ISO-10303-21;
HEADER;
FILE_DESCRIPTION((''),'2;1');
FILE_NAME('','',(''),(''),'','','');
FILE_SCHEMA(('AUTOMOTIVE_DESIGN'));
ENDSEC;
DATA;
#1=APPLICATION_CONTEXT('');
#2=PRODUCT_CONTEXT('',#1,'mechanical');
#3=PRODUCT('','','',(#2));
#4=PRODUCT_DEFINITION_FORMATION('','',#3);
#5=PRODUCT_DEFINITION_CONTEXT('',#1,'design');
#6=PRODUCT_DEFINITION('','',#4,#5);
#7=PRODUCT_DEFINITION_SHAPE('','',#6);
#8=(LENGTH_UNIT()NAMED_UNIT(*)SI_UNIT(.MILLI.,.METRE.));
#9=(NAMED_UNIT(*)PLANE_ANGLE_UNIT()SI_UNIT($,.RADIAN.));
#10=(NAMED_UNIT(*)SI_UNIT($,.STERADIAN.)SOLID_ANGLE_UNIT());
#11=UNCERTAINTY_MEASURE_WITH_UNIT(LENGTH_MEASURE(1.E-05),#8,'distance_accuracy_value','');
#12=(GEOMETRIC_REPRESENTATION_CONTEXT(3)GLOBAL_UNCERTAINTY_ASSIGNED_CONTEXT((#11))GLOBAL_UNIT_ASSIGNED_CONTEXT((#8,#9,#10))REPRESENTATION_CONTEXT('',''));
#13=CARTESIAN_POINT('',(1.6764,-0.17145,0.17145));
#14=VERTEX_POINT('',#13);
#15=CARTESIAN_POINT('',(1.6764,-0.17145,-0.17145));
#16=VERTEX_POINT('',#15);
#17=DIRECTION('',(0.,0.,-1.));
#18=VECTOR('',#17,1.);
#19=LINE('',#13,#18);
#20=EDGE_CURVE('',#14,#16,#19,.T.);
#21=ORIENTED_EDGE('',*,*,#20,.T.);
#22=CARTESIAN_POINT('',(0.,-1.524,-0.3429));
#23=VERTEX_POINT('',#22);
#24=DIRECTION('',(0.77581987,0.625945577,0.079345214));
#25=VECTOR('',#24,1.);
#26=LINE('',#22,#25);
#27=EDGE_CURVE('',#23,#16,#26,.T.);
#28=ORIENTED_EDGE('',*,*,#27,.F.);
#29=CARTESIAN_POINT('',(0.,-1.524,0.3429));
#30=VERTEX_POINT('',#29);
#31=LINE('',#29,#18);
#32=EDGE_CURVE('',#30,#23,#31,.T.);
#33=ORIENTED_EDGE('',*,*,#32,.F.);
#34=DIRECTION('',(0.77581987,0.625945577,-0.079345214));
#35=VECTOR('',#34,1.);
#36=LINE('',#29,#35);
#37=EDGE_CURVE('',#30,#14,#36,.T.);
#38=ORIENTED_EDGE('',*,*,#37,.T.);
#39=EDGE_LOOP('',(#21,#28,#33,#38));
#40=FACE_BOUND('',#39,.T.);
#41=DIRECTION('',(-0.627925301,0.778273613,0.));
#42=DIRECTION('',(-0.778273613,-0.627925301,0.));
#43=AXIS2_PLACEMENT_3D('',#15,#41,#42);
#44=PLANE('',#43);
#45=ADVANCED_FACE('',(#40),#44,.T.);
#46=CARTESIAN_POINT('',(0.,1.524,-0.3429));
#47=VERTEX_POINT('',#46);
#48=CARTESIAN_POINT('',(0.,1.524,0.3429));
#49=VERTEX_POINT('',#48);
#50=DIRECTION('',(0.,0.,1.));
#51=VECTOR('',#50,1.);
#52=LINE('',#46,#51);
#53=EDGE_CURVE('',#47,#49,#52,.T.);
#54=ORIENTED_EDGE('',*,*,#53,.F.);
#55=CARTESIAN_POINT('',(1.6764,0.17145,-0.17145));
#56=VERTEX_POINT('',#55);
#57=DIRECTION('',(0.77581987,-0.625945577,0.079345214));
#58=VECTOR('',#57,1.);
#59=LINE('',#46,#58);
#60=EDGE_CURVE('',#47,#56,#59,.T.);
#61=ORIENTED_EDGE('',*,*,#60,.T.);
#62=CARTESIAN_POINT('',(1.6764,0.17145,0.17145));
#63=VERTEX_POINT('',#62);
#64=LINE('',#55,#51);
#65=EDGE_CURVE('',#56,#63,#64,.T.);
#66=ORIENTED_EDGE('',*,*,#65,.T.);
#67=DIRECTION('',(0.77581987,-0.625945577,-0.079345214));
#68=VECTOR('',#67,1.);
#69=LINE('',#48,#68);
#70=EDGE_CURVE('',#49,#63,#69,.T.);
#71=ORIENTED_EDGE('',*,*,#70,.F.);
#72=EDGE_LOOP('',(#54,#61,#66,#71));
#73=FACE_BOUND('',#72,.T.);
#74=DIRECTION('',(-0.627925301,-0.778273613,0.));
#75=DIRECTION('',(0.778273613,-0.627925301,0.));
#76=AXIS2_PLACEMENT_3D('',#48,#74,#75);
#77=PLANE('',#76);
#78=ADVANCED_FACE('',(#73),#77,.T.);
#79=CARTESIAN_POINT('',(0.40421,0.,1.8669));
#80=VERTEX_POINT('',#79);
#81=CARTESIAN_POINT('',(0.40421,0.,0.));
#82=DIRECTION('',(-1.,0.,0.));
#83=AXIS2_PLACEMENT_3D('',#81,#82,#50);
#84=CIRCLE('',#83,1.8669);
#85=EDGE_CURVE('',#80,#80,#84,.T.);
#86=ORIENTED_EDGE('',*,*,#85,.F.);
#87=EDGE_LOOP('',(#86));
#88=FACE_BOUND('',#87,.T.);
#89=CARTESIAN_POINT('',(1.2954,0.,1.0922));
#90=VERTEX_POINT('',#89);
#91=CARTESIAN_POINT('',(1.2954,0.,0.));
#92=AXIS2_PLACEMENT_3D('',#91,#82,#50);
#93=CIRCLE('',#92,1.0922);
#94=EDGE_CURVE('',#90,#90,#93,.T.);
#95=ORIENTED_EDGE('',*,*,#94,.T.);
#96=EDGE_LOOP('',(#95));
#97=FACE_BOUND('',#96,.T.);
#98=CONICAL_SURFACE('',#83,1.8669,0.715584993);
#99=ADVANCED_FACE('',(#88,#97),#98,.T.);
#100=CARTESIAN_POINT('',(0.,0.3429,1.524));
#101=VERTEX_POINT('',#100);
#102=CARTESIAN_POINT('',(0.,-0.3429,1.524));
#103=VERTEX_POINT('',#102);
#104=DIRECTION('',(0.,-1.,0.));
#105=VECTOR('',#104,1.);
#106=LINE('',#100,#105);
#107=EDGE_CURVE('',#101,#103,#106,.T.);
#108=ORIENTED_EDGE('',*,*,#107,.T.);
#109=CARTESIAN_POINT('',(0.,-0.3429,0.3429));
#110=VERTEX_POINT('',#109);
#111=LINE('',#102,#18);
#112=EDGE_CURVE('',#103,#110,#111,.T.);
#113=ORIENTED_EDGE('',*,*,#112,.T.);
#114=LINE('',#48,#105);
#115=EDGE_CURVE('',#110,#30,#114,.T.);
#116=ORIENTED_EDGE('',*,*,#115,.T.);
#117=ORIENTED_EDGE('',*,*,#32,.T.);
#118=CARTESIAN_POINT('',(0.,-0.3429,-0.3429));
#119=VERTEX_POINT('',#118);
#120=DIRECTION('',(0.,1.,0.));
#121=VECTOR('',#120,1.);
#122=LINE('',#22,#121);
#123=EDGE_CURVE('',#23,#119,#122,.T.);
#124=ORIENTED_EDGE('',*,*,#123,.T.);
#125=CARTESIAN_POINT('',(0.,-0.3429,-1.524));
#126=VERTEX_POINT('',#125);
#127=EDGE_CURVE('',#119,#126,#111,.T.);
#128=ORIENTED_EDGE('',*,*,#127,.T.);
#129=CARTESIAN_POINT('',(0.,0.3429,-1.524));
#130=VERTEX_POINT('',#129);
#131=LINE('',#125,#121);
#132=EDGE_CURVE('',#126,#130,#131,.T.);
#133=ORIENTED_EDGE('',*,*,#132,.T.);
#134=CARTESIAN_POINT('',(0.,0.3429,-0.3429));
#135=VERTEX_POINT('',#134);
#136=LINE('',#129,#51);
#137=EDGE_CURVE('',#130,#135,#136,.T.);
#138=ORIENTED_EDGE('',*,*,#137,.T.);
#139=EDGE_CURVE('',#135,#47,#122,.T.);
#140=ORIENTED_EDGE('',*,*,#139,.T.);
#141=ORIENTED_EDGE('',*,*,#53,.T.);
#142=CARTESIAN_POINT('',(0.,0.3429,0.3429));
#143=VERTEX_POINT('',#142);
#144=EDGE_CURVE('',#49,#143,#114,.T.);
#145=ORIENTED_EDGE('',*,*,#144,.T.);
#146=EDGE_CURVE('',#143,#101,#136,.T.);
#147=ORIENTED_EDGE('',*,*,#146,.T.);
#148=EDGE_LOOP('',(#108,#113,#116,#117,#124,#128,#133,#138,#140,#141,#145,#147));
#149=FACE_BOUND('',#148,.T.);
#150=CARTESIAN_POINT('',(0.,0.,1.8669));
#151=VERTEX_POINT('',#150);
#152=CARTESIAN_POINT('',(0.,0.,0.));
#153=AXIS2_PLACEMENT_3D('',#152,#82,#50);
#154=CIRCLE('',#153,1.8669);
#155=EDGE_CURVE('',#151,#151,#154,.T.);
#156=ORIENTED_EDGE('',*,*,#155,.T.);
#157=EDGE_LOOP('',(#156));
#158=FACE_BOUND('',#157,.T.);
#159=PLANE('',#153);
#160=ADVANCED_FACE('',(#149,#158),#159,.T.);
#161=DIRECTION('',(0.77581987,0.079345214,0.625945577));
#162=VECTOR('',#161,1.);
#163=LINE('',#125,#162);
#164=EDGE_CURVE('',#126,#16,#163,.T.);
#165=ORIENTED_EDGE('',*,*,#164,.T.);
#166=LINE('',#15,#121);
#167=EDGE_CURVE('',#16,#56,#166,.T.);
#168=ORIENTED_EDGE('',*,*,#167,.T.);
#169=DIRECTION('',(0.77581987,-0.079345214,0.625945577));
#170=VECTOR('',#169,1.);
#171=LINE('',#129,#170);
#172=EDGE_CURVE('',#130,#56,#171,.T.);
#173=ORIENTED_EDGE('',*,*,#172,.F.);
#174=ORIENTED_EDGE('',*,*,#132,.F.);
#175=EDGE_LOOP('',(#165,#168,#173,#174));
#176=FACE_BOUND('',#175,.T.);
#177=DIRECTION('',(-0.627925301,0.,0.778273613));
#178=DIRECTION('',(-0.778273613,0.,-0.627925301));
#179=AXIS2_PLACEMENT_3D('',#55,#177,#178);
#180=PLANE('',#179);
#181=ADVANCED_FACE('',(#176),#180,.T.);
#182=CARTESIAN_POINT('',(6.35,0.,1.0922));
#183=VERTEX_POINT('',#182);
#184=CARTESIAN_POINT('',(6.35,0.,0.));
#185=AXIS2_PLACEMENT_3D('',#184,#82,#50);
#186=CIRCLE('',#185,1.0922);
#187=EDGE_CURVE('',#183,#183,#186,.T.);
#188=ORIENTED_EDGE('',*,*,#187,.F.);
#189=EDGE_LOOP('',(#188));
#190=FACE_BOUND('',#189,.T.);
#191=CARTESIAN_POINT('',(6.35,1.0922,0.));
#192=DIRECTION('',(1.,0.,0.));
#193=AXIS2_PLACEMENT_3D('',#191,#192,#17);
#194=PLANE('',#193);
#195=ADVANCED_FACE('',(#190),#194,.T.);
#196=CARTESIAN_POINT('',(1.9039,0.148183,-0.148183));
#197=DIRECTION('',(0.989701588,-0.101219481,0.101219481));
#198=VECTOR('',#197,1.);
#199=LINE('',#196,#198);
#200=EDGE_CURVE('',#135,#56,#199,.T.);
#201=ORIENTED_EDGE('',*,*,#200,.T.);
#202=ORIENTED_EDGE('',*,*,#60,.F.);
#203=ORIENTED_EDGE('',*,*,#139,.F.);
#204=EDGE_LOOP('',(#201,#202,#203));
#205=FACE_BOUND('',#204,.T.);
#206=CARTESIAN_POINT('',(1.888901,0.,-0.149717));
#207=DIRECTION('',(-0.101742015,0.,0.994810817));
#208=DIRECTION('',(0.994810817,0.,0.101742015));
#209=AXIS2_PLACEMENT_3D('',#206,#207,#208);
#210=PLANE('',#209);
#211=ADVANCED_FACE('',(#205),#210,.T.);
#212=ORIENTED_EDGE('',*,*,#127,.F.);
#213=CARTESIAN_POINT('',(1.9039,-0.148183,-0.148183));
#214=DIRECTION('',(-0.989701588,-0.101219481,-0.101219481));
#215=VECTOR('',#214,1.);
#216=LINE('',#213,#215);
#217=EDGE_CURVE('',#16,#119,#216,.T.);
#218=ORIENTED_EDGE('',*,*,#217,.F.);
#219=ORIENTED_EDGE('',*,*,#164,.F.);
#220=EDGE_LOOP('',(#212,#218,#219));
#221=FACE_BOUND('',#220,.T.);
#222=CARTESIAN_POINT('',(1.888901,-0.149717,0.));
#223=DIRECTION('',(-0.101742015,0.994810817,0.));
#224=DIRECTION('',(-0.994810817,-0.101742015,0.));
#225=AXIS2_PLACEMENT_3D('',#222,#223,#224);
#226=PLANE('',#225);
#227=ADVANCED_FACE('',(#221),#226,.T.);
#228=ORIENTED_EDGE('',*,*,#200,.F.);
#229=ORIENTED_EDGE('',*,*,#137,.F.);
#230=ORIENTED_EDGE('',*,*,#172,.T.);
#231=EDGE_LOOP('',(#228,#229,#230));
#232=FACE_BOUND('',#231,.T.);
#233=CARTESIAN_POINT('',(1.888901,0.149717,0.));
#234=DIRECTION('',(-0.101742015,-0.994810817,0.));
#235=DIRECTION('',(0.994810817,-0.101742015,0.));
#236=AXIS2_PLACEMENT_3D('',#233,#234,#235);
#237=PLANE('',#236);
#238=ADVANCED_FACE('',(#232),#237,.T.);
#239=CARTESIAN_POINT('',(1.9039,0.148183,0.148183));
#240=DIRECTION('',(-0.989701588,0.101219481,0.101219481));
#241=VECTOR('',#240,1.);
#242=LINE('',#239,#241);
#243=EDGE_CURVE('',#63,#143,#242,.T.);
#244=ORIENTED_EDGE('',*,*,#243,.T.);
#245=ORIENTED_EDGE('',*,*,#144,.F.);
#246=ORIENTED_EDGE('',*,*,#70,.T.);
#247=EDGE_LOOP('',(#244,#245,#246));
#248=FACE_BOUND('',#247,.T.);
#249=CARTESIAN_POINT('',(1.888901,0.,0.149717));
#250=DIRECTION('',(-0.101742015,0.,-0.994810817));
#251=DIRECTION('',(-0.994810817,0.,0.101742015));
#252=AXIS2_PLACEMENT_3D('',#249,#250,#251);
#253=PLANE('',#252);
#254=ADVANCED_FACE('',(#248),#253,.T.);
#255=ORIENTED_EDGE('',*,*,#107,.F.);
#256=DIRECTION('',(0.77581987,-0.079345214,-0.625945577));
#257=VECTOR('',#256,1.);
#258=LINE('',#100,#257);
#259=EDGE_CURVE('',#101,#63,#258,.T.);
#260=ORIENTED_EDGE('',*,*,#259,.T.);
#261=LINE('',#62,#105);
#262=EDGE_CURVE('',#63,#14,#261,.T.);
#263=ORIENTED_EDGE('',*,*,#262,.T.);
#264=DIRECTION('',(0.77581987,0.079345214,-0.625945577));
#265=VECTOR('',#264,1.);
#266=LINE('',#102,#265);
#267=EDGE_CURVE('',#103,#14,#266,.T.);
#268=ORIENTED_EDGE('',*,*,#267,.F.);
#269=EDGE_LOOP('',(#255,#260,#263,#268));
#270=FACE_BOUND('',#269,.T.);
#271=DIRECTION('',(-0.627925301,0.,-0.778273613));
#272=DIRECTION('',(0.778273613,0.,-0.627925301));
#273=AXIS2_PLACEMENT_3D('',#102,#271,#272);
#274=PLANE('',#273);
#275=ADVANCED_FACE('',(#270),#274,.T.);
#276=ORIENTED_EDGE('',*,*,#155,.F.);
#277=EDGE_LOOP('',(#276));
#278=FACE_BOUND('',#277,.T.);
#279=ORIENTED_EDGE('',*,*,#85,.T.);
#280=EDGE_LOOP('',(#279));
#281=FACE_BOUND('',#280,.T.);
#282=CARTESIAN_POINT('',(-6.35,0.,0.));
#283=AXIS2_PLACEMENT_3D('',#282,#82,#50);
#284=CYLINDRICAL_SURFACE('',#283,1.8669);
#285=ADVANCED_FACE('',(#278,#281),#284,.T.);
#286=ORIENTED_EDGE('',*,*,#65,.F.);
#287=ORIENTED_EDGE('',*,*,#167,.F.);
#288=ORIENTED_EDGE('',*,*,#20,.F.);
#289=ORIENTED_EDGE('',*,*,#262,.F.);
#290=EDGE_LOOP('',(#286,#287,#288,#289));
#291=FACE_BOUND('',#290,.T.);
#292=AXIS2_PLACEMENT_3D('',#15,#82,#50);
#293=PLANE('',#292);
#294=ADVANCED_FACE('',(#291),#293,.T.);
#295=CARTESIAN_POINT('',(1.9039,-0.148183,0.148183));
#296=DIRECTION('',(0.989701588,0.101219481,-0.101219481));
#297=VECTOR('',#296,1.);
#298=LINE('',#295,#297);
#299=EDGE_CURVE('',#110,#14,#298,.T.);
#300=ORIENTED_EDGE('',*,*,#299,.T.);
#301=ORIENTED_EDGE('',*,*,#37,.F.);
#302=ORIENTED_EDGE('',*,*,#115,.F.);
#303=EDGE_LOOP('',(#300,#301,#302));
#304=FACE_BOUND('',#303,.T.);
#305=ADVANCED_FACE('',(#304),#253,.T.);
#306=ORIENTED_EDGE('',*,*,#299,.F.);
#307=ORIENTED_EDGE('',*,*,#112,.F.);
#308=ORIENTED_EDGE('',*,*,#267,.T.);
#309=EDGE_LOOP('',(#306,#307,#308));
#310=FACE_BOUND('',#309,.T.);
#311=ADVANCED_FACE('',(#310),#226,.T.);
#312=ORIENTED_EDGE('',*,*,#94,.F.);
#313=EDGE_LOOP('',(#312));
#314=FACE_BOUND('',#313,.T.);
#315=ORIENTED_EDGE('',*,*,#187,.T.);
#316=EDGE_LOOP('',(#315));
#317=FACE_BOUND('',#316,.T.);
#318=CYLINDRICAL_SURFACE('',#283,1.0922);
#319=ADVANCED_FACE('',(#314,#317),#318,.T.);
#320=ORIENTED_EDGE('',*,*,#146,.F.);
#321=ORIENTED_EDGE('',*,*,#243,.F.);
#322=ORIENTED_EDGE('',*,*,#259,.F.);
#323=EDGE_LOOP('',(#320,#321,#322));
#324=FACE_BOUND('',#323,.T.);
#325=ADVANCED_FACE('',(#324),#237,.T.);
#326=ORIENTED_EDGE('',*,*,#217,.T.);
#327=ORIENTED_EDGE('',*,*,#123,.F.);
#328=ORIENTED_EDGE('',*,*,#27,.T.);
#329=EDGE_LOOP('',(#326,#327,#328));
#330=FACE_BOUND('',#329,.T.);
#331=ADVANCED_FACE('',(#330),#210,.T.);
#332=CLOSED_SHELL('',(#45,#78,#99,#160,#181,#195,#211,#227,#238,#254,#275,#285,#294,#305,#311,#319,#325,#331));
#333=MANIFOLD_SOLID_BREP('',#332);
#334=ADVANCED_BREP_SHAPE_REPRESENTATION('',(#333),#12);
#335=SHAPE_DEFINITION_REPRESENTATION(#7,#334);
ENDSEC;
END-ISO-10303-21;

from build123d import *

# Parameters (mm, degrees)
SKETCH3_W         = 0.6858
SKETCH3_H         = 3.048
SKETCH4_W         = 0.3429
SKETCH4_H         = 0.3429
CIRPATTERN1_COUNT = 2
CIRPATTERN1_ANGLE = 90


with BuildPart() as part:
    # BodySke → Base-Revolve (revolve)
    with BuildSketch(Plane.XY):
        Polygon((0, 0), (0, 1.8669), (0.404209595, 1.8669), (1.2954, 1.0922), (6.35, 1.0922), (6.35, 0), align=None)
    revolve(axis=Axis((-6.35, 0, 0), (1, 0, 0)))

    # Sketch3 → Cross section 0
    with BuildSketch(Plane.ZY):
        Rectangle(SKETCH3_W, SKETCH3_H)
    # Sketch4 → Cross section 1
    with BuildSketch(Plane.ZY.offset(-1.6764)):
        Rectangle(SKETCH4_W, SKETCH4_H)
    cross = loft(mode=Mode.SUBTRACT)

    # CirPattern1: Cross ×2 about axis
    cirpattern1_axis = Axis((0, 0, 0), (1, 0, 0))
    for i in range(1, CIRPATTERN1_COUNT):
        add(cross.rotate(cirpattern1_axis, i * CIRPATTERN1_ANGLE / (CIRPATTERN1_COUNT - 1)), mode=Mode.SUBTRACT)


solid = part.part
